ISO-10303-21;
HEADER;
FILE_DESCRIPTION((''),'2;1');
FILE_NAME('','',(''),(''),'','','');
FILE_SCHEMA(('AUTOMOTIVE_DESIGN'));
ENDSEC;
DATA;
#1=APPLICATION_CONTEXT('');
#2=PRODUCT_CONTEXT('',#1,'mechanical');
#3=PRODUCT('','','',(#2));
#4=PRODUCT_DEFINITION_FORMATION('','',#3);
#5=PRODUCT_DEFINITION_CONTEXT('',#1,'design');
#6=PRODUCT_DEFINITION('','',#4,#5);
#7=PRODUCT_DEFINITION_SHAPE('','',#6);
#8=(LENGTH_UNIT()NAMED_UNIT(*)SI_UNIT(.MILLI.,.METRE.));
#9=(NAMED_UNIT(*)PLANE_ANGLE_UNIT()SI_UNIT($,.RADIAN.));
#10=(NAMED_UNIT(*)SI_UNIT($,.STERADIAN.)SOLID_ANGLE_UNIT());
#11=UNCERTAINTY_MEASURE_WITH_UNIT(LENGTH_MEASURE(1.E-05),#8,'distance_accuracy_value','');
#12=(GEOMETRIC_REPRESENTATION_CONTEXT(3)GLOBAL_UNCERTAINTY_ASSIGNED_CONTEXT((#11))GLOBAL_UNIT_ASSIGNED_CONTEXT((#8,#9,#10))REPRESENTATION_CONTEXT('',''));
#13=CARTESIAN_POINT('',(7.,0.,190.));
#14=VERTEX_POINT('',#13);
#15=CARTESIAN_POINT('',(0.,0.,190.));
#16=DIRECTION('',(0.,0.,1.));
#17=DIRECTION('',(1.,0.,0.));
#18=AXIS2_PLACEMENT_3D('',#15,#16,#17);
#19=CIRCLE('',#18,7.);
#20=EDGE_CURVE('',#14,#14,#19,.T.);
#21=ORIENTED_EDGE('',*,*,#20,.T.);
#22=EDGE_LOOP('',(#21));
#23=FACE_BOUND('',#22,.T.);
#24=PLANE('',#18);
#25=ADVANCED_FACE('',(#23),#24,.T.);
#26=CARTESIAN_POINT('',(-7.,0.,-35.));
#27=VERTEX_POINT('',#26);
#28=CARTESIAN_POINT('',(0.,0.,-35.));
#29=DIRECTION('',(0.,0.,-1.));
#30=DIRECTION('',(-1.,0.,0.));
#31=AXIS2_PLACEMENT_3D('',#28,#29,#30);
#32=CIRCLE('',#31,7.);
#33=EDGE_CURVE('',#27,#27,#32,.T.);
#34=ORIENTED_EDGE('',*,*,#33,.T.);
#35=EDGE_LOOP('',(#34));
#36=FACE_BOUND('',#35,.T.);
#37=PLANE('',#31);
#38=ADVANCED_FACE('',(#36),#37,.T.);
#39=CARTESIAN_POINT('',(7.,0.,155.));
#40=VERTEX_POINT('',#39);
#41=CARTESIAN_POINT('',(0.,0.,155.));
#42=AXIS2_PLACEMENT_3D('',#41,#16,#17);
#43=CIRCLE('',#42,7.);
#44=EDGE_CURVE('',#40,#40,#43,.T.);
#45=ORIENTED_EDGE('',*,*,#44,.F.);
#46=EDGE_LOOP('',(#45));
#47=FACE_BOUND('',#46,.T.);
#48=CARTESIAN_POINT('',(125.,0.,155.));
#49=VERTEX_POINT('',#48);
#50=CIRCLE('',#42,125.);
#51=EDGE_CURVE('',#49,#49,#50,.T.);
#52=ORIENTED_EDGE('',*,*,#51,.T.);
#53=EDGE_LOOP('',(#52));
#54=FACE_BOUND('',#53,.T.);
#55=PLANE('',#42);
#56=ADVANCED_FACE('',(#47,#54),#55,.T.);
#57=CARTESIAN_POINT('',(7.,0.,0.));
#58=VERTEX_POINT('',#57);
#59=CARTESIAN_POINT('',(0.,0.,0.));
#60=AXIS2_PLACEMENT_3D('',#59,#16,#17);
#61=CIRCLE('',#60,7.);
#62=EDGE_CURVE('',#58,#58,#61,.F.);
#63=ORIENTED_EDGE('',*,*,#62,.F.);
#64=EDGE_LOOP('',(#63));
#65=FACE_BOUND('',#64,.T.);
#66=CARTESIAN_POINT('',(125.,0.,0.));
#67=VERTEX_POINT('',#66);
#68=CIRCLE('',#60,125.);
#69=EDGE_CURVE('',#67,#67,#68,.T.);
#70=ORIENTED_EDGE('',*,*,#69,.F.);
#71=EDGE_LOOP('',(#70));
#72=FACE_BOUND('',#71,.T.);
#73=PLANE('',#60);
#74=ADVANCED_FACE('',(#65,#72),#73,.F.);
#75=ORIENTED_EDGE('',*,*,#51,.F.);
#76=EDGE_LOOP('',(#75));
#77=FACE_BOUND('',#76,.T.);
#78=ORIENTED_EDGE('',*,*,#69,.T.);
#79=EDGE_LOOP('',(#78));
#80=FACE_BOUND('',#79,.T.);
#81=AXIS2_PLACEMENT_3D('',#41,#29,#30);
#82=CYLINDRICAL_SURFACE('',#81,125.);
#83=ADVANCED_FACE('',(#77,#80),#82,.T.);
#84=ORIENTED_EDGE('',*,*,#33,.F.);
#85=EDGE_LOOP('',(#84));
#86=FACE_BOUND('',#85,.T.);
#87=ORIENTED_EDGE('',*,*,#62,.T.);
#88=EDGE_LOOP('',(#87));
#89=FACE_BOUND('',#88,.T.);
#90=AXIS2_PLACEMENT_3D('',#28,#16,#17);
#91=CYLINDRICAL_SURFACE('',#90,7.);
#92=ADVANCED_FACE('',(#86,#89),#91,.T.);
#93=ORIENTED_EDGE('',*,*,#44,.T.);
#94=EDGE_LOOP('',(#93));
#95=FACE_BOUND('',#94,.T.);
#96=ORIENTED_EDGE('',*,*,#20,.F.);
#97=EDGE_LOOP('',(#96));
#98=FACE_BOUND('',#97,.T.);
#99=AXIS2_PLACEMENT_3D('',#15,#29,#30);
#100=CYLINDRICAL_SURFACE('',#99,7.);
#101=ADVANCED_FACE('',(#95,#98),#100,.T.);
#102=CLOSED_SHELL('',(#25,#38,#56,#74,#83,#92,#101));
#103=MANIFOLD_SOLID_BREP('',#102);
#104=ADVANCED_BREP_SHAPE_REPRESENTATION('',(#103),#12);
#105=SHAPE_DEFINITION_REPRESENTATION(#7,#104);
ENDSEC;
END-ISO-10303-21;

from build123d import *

# Parameters (mm, degrees)
SKETCH1_R           = 125
BOSS_EXTRUDE1_DEPTH = 155
SKETCH2_R           = 7
BOSS_EXTRUDE2_DEPTH = 35
SKETCH3_R           = 7
BOSS_EXTRUDE3_DEPTH = 35


with BuildPart() as part:
    # Sketch1 → Boss-Extrude1 (new body)
    with BuildSketch(Plane.XY):
        Circle(SKETCH1_R)
    extrude(amount=BOSS_EXTRUDE1_DEPTH)

    # Sketch2 → Boss-Extrude2 (add)
    with BuildSketch(Plane.XY.offset(155)):
        Circle(SKETCH2_R)
    extrude(amount=BOSS_EXTRUDE2_DEPTH)

    # Sketch3 → Boss-Extrude3 (add)
    with BuildSketch(Plane(origin=(0, 0, 0), x_dir=(-1, 0, 0), z_dir=(0, 0, -1))):
        Circle(SKETCH3_R)
    extrude(amount=BOSS_EXTRUDE3_DEPTH)


solid = part.part
